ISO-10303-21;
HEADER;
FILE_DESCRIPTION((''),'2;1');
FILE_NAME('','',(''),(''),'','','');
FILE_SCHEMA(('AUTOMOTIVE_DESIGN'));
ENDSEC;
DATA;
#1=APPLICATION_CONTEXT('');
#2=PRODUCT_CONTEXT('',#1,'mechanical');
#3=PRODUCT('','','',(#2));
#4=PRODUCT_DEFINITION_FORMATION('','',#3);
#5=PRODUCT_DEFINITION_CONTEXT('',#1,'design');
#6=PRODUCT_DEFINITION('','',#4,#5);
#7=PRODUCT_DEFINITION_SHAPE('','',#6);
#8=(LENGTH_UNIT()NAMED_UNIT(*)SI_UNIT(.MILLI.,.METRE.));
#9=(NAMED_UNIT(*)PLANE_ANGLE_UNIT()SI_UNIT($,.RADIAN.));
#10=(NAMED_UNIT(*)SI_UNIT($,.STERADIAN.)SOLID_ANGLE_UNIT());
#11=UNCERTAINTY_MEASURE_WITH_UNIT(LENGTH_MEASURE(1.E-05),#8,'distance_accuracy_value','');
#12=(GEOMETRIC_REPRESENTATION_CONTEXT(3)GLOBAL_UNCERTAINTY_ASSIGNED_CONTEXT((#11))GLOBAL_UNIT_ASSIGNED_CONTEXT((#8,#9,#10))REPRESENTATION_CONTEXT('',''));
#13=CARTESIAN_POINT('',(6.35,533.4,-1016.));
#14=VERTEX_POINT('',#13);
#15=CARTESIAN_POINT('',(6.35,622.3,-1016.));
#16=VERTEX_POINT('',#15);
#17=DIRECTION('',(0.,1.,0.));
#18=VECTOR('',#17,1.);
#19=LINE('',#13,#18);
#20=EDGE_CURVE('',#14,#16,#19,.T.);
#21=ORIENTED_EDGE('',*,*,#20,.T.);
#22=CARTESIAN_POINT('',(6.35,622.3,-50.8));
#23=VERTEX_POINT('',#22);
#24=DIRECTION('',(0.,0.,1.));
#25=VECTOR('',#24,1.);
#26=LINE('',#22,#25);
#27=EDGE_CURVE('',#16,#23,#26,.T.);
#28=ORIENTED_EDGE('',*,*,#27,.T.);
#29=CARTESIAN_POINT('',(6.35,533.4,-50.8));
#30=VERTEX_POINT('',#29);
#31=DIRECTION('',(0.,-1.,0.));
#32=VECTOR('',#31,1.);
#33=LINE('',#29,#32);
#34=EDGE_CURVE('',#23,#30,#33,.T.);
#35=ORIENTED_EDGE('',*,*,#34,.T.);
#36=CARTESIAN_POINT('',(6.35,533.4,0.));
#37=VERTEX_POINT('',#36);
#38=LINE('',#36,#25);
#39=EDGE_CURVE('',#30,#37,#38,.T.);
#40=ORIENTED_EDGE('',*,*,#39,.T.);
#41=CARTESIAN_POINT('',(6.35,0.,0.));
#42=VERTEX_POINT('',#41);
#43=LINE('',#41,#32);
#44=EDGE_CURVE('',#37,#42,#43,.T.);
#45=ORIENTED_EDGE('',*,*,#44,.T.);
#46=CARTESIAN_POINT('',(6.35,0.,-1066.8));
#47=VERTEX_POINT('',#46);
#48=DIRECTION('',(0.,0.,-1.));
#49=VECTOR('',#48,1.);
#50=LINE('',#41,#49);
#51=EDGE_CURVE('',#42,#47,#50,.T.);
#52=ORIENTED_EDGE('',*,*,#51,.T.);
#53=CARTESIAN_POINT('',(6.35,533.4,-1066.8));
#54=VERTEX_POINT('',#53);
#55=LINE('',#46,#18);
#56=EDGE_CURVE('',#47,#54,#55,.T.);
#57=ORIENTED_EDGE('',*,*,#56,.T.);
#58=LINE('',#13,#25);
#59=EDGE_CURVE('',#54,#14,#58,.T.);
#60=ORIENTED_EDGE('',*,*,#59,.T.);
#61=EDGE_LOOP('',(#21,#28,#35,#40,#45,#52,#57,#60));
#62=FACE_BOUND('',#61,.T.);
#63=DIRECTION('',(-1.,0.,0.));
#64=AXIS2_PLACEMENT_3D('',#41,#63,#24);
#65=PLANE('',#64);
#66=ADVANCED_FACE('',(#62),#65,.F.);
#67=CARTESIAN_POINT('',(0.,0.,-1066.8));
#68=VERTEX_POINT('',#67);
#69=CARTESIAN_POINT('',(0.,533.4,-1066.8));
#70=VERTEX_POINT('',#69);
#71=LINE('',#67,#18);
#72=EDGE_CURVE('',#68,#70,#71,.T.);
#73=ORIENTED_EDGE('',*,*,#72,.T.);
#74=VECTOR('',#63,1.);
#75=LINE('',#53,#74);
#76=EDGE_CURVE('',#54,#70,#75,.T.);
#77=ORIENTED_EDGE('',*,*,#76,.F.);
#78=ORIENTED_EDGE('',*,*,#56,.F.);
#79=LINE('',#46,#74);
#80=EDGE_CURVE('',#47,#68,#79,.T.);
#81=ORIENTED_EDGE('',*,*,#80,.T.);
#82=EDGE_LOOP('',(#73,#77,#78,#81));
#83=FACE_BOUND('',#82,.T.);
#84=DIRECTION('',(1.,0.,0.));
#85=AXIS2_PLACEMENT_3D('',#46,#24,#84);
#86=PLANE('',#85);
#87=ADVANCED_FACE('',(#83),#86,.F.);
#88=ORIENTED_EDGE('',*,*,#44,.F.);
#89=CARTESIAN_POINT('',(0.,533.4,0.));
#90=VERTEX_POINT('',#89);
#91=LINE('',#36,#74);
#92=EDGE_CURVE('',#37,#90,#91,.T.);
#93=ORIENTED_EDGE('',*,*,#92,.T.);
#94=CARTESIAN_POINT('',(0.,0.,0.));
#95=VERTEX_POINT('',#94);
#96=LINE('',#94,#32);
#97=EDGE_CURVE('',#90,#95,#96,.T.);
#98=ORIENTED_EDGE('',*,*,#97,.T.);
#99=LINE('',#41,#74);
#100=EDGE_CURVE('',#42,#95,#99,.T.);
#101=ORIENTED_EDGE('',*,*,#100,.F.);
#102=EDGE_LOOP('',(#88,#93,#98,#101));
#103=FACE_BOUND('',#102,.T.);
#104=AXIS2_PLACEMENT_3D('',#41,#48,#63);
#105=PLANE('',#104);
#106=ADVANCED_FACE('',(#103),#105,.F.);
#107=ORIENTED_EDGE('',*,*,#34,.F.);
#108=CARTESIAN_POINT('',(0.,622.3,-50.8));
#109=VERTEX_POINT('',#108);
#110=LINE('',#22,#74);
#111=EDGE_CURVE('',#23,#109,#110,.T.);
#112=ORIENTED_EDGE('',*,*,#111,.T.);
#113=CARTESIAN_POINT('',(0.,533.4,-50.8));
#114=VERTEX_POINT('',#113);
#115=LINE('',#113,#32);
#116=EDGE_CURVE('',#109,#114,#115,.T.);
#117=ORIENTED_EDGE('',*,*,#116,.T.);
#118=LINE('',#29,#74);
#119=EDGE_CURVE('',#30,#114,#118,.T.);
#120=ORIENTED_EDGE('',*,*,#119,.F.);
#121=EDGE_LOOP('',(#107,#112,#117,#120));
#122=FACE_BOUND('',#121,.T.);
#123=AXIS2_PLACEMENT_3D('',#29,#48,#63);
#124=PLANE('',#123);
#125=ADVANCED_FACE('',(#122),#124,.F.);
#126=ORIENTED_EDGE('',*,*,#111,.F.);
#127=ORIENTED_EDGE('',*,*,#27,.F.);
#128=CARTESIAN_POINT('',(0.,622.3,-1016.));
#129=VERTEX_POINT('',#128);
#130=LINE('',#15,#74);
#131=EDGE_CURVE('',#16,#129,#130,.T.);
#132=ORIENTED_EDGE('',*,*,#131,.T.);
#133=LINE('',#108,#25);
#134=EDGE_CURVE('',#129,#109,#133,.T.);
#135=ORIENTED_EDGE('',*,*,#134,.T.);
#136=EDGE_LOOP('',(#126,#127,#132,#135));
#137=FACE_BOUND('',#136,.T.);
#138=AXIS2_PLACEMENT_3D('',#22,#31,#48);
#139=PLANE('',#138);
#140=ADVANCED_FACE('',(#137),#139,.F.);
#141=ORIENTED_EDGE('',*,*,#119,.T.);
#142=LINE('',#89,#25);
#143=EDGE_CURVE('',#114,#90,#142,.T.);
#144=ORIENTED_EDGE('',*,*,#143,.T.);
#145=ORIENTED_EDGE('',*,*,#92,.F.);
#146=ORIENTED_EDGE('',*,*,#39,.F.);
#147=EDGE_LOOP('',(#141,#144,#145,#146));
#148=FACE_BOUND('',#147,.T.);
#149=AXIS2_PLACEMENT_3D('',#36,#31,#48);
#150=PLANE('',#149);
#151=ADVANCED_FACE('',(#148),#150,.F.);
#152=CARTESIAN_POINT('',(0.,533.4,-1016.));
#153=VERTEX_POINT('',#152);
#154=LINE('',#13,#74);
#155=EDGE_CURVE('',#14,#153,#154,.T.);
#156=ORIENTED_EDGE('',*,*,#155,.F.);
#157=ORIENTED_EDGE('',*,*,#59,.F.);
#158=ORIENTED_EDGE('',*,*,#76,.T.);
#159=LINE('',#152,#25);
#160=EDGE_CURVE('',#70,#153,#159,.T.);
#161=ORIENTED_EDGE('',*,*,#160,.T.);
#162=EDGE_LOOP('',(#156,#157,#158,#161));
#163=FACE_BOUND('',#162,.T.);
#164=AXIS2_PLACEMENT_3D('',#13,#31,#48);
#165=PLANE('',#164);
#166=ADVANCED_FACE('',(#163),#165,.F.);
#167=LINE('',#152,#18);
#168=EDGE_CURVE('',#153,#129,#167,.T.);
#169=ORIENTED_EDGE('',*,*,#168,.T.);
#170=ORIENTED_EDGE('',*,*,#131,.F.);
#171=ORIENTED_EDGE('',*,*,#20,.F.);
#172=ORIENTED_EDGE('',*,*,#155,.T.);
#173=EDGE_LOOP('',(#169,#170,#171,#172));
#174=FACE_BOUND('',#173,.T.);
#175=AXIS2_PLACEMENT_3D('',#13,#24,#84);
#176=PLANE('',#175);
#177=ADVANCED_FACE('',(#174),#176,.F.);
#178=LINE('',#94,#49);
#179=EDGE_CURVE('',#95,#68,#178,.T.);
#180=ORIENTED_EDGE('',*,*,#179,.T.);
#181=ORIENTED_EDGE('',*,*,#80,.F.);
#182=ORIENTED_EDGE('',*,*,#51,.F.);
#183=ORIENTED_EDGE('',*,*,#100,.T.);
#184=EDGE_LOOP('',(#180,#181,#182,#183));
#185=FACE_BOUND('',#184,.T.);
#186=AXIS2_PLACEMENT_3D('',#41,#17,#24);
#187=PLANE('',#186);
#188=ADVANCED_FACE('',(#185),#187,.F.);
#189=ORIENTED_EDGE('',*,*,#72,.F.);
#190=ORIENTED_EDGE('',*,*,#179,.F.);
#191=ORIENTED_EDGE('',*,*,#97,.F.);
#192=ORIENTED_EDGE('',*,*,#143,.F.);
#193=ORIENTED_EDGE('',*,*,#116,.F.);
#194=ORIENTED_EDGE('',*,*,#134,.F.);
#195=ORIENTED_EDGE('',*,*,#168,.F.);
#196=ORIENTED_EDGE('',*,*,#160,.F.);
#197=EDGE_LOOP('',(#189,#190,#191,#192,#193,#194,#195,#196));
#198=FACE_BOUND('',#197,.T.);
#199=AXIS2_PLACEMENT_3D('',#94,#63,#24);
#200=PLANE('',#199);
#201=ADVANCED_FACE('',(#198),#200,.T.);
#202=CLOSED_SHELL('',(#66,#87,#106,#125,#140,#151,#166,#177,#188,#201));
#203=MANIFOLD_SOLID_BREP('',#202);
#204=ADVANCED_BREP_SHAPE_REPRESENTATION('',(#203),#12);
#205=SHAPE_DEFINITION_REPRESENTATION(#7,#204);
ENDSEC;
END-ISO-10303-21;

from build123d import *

# Parameters (mm, degrees)
BOSS_EXTRUDE1_DEPTH = 6.35


with BuildPart() as part:
    # Sketch1 → Boss-Extrude1 (new body)
    with BuildSketch(Plane(origin=(0, 0, 0), x_dir=(0, 0, -1), z_dir=(1, 0, 0))):
        Polygon((1016, 533.4), (1066.8, 533.4), (1066.8, 0), (0, 0), (0, 533.4), (50.8, 533.4), (50.8, 622.3), (1016, 622.3), align=None)
    extrude(amount=BOSS_EXTRUDE1_DEPTH)


solid = part.part
